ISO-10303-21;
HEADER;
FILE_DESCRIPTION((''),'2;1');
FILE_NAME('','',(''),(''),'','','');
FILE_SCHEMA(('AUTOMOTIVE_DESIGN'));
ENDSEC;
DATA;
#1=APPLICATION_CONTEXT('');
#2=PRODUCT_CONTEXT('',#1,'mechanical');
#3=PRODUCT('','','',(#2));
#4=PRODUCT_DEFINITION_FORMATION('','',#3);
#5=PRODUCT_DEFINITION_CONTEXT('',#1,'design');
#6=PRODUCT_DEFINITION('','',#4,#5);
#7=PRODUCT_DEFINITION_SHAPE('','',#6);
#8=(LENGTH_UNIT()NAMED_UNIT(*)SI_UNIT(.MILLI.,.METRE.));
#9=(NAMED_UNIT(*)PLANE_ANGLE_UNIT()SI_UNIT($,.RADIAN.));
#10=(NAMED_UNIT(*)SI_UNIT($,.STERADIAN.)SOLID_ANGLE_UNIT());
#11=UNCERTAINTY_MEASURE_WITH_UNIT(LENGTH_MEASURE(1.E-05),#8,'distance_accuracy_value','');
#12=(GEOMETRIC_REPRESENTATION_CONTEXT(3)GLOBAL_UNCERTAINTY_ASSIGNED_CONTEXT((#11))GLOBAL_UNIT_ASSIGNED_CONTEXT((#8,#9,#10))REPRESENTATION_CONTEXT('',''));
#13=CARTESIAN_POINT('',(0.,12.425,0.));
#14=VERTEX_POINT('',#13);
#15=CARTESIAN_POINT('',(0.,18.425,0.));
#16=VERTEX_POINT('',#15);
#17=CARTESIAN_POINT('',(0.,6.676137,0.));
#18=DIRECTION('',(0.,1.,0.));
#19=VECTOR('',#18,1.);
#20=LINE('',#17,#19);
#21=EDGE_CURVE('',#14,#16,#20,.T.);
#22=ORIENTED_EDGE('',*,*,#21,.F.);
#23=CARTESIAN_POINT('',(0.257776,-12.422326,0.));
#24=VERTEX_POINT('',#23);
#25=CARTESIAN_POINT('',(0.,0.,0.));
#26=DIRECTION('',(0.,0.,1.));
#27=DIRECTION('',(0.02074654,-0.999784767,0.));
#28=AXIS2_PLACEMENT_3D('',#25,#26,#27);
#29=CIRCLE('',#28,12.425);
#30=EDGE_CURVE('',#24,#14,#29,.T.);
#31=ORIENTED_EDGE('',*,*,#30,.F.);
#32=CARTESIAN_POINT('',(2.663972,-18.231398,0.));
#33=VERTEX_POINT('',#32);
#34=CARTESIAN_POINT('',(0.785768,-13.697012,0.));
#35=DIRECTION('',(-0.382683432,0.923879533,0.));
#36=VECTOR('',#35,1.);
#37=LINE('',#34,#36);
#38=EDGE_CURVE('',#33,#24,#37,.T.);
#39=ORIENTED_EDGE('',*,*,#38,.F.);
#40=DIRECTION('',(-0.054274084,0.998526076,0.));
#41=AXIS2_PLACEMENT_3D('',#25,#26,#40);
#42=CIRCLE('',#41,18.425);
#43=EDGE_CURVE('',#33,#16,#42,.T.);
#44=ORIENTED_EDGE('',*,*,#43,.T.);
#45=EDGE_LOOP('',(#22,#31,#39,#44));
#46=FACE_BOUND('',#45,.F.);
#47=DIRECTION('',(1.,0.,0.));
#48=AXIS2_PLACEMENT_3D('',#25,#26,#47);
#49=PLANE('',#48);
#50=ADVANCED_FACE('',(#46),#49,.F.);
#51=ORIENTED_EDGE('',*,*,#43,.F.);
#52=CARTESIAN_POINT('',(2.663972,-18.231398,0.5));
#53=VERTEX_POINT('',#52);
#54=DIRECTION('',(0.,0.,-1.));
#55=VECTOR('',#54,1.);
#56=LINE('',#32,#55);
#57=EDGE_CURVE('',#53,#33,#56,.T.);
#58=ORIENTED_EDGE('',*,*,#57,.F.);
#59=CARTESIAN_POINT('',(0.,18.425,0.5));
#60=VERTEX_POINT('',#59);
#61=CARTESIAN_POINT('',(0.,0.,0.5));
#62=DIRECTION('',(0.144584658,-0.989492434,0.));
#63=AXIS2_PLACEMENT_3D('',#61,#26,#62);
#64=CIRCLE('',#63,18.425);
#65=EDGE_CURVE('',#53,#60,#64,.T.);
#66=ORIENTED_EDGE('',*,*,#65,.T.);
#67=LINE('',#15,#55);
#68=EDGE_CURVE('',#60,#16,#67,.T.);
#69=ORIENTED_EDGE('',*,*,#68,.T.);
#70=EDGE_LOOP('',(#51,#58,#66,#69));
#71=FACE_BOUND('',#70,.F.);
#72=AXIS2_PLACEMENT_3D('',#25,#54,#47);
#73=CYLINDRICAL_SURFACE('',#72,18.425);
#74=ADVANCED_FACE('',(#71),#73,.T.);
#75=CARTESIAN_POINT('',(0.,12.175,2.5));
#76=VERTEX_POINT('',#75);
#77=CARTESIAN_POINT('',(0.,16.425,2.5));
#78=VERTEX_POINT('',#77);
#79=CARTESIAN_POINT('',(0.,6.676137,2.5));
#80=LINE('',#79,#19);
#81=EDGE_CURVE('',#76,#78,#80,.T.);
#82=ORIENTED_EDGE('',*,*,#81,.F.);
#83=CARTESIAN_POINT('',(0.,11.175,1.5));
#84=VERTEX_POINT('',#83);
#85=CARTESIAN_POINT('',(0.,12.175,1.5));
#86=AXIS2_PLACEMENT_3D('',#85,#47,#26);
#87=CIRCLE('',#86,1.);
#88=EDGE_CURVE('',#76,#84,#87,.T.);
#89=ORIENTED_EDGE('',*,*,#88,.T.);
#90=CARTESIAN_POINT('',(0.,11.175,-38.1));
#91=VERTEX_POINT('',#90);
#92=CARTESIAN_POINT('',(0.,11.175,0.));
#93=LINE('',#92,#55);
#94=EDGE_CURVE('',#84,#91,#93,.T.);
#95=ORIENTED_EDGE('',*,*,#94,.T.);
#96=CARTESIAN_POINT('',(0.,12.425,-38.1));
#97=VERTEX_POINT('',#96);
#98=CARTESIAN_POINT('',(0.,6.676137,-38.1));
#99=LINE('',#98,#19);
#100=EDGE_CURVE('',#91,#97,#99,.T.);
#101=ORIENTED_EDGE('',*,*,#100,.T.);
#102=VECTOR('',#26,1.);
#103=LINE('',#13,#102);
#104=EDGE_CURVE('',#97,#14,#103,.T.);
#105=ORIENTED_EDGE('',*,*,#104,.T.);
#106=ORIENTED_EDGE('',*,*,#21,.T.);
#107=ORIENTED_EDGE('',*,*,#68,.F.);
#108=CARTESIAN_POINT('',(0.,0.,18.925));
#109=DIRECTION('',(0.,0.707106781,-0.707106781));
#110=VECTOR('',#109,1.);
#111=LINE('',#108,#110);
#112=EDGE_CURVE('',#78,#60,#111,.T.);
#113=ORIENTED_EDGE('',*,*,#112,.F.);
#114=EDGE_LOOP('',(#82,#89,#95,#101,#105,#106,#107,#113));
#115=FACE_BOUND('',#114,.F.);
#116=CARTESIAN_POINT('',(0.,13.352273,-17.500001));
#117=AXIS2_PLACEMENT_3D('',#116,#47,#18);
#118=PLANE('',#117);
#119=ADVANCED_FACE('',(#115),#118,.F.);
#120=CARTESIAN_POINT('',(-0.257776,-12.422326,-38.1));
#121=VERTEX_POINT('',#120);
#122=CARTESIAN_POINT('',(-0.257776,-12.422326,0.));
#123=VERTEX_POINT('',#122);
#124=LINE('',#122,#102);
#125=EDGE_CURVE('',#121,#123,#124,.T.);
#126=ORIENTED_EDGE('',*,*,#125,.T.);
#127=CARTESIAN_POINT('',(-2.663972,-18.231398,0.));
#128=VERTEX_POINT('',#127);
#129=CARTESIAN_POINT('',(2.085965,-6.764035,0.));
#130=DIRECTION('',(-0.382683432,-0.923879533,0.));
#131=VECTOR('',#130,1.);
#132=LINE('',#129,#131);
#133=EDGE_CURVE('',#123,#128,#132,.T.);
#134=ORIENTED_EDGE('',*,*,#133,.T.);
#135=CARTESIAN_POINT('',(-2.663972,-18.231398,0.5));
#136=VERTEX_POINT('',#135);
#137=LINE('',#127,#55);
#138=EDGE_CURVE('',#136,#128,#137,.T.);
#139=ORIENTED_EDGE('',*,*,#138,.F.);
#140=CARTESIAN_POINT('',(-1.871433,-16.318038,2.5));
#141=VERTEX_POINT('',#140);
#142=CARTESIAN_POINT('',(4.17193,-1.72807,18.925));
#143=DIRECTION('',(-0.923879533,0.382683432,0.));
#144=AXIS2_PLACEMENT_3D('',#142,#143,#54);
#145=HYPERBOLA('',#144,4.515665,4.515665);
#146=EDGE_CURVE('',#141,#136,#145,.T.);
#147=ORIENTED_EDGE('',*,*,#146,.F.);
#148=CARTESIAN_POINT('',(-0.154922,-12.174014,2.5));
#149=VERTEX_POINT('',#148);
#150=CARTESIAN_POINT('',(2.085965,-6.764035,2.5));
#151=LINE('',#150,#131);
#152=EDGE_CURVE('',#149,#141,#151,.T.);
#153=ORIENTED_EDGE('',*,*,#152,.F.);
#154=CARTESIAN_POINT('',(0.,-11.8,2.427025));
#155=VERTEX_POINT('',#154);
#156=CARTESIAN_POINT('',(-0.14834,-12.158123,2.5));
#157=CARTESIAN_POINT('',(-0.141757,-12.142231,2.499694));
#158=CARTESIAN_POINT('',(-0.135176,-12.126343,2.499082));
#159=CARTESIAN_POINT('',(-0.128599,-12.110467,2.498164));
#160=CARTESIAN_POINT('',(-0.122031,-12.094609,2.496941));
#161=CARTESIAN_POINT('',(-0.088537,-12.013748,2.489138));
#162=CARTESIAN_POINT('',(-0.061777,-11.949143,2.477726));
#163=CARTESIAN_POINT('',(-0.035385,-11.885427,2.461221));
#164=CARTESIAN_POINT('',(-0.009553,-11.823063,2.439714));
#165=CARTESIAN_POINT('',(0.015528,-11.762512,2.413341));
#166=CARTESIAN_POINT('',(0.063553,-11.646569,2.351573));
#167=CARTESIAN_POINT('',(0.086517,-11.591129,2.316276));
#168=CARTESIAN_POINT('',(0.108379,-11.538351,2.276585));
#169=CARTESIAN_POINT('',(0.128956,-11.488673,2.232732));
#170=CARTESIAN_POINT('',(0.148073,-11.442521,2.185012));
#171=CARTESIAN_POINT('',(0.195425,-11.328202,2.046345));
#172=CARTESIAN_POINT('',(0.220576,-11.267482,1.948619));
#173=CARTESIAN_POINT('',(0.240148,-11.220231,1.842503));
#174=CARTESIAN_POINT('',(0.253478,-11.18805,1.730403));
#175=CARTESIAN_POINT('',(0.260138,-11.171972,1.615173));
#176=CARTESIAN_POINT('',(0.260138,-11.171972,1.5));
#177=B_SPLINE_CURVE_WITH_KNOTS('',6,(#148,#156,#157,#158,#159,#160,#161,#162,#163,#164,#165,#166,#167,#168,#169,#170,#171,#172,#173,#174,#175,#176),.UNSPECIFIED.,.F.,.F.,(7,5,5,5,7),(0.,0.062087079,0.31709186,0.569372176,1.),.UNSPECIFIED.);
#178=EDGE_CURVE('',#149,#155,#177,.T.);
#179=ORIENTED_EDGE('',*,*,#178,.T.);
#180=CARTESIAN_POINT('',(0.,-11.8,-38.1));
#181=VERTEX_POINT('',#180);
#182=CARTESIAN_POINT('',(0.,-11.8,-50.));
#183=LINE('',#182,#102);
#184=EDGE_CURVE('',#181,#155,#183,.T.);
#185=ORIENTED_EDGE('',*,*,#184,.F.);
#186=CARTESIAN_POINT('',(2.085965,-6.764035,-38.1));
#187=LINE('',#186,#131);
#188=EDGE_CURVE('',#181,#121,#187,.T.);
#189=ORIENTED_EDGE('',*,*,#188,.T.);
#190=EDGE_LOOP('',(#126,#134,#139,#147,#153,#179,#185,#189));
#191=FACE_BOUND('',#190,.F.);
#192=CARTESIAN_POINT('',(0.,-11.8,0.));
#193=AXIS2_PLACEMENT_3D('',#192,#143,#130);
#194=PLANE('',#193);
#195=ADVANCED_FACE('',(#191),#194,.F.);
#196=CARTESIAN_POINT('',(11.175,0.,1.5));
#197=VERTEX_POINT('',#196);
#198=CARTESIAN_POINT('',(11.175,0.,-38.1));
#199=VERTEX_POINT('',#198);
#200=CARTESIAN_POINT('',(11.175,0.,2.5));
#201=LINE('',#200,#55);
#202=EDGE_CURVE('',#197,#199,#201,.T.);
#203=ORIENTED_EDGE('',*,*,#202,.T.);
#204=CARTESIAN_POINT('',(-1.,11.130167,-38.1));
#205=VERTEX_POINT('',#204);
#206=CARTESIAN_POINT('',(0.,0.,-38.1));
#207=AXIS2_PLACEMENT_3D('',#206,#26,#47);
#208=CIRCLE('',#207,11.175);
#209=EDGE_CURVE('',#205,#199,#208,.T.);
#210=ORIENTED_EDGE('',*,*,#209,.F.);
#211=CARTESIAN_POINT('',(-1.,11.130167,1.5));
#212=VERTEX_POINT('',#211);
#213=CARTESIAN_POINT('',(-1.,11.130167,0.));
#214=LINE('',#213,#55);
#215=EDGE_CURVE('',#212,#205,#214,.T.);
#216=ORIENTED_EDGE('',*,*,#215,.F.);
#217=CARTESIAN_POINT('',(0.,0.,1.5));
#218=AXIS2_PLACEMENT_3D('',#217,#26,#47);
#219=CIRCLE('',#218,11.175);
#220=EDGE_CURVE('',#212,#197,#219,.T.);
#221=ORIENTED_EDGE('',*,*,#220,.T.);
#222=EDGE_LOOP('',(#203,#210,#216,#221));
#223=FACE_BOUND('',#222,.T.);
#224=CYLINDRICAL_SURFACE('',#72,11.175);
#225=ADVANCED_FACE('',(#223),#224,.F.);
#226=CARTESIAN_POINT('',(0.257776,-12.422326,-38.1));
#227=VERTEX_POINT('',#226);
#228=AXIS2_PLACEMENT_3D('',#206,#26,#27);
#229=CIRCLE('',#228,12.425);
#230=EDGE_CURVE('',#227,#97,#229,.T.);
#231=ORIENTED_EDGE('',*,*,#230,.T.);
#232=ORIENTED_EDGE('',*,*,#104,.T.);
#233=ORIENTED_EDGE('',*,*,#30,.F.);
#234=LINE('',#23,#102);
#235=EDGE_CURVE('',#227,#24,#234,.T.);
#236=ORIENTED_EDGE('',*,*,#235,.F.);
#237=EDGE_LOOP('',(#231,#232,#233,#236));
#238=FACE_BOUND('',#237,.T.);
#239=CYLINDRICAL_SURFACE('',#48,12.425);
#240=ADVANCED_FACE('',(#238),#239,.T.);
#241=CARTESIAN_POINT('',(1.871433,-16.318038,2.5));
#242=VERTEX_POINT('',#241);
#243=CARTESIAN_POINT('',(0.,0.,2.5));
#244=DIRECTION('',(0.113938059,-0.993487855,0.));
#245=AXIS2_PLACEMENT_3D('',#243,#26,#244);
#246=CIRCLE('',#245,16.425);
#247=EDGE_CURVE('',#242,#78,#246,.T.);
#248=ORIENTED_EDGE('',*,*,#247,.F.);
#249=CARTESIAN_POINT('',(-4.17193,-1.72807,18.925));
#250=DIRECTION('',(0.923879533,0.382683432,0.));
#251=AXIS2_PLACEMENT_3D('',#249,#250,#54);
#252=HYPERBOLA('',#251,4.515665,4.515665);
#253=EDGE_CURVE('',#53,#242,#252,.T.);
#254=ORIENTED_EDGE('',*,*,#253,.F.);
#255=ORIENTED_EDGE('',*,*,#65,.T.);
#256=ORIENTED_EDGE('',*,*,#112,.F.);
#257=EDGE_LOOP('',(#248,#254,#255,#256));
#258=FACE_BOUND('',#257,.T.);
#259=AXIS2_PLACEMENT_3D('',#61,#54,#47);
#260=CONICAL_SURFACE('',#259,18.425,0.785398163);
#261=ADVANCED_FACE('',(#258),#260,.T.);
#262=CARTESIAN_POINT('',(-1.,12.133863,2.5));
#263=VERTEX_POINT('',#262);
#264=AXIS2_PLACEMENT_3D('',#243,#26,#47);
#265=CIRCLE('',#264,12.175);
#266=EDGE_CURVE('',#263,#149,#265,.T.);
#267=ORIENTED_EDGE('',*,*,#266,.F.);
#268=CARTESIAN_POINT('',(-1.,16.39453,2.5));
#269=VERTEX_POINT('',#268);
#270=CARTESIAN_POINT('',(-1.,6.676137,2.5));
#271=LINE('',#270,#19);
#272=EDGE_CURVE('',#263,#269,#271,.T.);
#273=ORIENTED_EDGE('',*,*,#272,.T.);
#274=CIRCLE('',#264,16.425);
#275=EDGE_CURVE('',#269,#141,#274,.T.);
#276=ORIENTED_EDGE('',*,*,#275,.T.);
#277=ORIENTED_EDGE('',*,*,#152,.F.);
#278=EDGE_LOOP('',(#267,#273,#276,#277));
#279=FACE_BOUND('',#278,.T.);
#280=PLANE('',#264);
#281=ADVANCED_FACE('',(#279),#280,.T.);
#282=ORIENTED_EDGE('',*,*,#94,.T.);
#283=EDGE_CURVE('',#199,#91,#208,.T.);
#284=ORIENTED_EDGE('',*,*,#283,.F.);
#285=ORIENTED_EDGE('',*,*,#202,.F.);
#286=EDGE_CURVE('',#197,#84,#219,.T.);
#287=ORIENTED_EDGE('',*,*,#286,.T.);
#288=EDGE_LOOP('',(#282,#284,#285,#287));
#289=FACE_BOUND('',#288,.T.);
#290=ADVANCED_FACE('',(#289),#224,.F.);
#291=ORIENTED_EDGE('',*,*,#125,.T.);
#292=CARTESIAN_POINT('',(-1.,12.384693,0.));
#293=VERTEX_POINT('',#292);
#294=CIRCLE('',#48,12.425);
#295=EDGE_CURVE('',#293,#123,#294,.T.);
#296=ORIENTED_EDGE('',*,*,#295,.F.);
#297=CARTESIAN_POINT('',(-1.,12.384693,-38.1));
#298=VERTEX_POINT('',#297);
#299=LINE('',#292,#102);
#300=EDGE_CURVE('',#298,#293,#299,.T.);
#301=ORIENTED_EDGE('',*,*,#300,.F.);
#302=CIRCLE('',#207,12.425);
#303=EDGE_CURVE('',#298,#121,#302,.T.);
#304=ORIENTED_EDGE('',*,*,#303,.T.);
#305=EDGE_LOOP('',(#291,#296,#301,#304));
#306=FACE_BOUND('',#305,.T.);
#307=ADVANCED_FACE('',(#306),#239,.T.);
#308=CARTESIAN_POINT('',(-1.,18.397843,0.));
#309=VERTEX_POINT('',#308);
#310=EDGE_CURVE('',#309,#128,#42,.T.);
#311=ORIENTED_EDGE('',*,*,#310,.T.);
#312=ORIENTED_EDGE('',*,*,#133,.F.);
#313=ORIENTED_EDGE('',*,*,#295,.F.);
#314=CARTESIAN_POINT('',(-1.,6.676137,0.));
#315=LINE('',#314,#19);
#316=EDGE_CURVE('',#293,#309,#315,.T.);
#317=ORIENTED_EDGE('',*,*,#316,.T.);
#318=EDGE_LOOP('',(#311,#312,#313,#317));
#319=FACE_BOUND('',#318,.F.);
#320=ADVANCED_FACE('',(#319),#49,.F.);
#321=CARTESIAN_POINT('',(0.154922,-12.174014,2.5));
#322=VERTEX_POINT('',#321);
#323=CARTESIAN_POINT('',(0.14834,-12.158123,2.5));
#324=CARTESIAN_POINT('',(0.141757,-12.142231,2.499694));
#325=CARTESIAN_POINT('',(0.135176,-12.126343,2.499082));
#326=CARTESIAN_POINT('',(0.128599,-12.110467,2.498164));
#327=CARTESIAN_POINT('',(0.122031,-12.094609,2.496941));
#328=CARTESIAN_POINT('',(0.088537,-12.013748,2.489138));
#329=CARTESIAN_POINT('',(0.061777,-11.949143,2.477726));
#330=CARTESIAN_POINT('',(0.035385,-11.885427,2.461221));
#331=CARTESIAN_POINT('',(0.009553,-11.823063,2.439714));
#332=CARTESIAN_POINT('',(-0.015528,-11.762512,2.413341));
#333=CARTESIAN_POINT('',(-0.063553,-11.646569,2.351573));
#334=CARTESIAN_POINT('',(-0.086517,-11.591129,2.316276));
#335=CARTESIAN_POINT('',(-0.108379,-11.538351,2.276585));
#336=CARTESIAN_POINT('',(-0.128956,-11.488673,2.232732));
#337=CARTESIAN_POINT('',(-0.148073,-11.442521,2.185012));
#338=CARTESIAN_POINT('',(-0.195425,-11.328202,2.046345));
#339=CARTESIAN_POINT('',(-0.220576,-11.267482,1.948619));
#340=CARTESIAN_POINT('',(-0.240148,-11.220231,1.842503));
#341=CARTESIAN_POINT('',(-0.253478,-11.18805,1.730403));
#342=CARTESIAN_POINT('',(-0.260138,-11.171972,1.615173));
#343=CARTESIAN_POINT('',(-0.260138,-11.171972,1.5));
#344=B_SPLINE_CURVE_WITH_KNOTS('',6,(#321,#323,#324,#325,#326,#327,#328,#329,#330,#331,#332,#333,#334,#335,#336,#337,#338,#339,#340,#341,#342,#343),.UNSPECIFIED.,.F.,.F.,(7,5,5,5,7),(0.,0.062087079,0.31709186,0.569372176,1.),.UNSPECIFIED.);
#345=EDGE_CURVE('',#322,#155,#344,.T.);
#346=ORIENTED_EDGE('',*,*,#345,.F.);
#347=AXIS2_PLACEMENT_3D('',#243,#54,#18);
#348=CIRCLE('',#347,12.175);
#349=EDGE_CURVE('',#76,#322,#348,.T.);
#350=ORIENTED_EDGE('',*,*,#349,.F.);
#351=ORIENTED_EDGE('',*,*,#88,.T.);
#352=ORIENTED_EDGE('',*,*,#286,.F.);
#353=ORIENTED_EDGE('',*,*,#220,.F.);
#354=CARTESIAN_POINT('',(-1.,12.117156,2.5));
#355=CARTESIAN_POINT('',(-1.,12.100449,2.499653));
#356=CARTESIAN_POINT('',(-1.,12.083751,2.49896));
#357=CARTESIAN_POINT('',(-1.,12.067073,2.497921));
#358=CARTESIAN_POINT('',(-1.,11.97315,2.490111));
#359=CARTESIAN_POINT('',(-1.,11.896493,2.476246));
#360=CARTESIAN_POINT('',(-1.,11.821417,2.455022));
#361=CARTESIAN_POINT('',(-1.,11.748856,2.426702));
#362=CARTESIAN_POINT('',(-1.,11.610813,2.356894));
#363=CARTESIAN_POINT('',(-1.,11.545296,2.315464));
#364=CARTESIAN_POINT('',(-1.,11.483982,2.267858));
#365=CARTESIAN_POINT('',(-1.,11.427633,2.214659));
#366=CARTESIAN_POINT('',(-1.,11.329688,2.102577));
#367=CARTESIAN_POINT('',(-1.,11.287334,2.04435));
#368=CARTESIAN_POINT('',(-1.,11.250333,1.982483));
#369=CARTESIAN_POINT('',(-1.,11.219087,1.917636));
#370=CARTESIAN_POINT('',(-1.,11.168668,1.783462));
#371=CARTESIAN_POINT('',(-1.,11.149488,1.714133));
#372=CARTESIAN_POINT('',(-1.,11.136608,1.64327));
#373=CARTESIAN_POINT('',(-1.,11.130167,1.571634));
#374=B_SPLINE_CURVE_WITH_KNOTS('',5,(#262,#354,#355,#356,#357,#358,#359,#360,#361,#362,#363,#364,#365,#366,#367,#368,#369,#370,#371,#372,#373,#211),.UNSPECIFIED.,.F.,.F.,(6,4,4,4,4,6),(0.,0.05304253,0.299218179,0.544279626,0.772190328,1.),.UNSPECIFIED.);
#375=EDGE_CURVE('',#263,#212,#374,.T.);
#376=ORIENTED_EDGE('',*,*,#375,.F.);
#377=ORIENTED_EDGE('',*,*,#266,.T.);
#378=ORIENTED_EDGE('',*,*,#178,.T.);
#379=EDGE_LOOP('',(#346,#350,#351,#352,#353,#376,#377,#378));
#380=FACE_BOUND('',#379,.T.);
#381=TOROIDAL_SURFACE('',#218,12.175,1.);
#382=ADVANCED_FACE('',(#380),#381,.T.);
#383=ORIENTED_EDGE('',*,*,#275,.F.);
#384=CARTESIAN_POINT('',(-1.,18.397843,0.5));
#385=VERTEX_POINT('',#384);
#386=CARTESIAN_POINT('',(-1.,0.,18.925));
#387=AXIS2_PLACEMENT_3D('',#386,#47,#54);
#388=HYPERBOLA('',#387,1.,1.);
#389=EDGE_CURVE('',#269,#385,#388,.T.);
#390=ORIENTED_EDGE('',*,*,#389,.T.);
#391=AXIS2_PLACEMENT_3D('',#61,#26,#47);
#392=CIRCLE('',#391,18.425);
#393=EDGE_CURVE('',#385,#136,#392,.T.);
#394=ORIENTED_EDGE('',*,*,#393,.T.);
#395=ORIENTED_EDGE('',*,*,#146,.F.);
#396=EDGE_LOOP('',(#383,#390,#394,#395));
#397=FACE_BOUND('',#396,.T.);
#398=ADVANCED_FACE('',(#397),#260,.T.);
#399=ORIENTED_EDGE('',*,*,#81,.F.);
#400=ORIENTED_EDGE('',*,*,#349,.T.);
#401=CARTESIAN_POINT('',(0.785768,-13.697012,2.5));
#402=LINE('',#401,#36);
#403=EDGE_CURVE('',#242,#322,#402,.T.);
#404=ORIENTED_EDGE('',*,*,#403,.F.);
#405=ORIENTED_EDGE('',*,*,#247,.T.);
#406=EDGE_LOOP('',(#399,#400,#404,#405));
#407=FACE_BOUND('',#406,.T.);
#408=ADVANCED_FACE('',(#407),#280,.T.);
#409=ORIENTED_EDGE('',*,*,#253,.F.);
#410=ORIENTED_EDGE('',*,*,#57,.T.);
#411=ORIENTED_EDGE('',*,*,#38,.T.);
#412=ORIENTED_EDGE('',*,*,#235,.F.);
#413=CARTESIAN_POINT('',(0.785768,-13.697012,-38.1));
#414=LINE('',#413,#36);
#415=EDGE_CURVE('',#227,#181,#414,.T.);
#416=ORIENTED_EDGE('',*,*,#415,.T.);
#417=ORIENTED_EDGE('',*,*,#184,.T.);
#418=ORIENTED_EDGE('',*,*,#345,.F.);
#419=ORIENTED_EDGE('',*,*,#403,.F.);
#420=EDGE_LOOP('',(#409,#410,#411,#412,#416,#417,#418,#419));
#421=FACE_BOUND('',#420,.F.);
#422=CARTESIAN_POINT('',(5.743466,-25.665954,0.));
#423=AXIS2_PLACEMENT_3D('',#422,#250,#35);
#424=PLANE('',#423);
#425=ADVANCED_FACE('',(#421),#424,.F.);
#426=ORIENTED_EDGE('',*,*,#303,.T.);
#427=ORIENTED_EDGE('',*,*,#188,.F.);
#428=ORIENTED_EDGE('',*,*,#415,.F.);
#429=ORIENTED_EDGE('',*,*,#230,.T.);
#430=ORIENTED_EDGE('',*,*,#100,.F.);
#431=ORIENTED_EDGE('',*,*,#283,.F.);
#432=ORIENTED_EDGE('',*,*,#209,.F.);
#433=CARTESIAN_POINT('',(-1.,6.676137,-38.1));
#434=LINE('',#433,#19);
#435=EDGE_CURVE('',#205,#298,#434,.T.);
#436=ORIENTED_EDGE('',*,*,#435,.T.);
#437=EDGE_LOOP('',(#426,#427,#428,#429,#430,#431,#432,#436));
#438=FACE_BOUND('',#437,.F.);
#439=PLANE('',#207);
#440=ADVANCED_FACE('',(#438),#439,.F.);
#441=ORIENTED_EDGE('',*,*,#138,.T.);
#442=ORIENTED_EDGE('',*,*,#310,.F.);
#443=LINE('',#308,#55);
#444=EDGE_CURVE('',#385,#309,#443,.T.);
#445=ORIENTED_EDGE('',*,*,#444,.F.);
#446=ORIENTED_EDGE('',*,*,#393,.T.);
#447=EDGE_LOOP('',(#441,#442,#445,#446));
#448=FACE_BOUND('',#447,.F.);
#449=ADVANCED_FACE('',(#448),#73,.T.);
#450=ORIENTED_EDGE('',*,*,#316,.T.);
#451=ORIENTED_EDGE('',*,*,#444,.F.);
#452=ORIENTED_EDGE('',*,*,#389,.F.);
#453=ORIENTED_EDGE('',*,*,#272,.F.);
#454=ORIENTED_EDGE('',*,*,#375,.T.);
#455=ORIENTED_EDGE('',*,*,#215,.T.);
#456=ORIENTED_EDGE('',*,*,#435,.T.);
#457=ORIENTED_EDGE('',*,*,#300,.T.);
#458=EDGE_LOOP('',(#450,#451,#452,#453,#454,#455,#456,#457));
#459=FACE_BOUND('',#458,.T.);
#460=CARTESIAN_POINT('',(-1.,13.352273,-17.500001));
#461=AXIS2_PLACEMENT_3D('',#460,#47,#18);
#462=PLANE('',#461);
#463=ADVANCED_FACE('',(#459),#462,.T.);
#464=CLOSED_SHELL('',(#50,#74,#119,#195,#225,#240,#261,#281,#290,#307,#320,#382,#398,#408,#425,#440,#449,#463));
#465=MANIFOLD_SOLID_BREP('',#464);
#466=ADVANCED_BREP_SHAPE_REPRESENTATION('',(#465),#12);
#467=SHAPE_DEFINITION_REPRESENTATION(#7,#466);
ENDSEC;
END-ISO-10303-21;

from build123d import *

# Parameters (mm, degrees)
F0_R     = 12.425
F0_R_2   = 11.175
F1_DEPTH = 38.1
F0_R_3   = 18.425
F2_DEPTH = 2.5
F3_SIZE  = 2
F4_R     = 1
F5_W     = 26.7045460641
F5_H     = 56.1363650486
F6_DEPTH = 1
F8_DEPTH = 50


with BuildPart() as f1:
    # F0 (on Top) → F1 (new body)
    with BuildSketch(Plane.XY):
        Circle(F0_R)
        Circle(F0_R_2, mode=Mode.SUBTRACT)
    extrude(amount=-F1_DEPTH)

    # F0 (on Top) → F2 (join)
    with BuildSketch(Plane.XY):
        Circle(F0_R_3)
        Circle(F0_R, mode=Mode.SUBTRACT)
        Circle(F0_R)
        Circle(F0_R_2, mode=Mode.SUBTRACT)
    extrude(amount=F2_DEPTH)

    # F3
    f3_edges = [f1.edges().sort_by_distance(p)[0] for p in [
        (-18.425, 0, 2.5),
    ]]
    chamfer(f3_edges, length=F3_SIZE)

    # F4
    f4_edges = [f1.edges().sort_by_distance(p)[0] for p in [
        (-11.175, 0, 2.5),
    ]]
    fillet(f4_edges, radius=F4_R)

    # F5 (on Right) → F6 (cut)
    with BuildSketch(Plane.YZ):
        with Locations((13.3522730321, -17.5000005402)):
            Rectangle(F5_W, F5_H)
    extrude(amount=-F6_DEPTH, mode=Mode.SUBTRACT)

    # F7 (on Top) → F8 (cut, symmetric)
    with BuildSketch(Plane.XY):
        Polygon((5.7434663265, -25.6659543005), (0, -11.8), (-5.7434663265, -25.6659543005), align=None)
    extrude(amount=F8_DEPTH, both=True, mode=Mode.SUBTRACT)


solid = f1.part
